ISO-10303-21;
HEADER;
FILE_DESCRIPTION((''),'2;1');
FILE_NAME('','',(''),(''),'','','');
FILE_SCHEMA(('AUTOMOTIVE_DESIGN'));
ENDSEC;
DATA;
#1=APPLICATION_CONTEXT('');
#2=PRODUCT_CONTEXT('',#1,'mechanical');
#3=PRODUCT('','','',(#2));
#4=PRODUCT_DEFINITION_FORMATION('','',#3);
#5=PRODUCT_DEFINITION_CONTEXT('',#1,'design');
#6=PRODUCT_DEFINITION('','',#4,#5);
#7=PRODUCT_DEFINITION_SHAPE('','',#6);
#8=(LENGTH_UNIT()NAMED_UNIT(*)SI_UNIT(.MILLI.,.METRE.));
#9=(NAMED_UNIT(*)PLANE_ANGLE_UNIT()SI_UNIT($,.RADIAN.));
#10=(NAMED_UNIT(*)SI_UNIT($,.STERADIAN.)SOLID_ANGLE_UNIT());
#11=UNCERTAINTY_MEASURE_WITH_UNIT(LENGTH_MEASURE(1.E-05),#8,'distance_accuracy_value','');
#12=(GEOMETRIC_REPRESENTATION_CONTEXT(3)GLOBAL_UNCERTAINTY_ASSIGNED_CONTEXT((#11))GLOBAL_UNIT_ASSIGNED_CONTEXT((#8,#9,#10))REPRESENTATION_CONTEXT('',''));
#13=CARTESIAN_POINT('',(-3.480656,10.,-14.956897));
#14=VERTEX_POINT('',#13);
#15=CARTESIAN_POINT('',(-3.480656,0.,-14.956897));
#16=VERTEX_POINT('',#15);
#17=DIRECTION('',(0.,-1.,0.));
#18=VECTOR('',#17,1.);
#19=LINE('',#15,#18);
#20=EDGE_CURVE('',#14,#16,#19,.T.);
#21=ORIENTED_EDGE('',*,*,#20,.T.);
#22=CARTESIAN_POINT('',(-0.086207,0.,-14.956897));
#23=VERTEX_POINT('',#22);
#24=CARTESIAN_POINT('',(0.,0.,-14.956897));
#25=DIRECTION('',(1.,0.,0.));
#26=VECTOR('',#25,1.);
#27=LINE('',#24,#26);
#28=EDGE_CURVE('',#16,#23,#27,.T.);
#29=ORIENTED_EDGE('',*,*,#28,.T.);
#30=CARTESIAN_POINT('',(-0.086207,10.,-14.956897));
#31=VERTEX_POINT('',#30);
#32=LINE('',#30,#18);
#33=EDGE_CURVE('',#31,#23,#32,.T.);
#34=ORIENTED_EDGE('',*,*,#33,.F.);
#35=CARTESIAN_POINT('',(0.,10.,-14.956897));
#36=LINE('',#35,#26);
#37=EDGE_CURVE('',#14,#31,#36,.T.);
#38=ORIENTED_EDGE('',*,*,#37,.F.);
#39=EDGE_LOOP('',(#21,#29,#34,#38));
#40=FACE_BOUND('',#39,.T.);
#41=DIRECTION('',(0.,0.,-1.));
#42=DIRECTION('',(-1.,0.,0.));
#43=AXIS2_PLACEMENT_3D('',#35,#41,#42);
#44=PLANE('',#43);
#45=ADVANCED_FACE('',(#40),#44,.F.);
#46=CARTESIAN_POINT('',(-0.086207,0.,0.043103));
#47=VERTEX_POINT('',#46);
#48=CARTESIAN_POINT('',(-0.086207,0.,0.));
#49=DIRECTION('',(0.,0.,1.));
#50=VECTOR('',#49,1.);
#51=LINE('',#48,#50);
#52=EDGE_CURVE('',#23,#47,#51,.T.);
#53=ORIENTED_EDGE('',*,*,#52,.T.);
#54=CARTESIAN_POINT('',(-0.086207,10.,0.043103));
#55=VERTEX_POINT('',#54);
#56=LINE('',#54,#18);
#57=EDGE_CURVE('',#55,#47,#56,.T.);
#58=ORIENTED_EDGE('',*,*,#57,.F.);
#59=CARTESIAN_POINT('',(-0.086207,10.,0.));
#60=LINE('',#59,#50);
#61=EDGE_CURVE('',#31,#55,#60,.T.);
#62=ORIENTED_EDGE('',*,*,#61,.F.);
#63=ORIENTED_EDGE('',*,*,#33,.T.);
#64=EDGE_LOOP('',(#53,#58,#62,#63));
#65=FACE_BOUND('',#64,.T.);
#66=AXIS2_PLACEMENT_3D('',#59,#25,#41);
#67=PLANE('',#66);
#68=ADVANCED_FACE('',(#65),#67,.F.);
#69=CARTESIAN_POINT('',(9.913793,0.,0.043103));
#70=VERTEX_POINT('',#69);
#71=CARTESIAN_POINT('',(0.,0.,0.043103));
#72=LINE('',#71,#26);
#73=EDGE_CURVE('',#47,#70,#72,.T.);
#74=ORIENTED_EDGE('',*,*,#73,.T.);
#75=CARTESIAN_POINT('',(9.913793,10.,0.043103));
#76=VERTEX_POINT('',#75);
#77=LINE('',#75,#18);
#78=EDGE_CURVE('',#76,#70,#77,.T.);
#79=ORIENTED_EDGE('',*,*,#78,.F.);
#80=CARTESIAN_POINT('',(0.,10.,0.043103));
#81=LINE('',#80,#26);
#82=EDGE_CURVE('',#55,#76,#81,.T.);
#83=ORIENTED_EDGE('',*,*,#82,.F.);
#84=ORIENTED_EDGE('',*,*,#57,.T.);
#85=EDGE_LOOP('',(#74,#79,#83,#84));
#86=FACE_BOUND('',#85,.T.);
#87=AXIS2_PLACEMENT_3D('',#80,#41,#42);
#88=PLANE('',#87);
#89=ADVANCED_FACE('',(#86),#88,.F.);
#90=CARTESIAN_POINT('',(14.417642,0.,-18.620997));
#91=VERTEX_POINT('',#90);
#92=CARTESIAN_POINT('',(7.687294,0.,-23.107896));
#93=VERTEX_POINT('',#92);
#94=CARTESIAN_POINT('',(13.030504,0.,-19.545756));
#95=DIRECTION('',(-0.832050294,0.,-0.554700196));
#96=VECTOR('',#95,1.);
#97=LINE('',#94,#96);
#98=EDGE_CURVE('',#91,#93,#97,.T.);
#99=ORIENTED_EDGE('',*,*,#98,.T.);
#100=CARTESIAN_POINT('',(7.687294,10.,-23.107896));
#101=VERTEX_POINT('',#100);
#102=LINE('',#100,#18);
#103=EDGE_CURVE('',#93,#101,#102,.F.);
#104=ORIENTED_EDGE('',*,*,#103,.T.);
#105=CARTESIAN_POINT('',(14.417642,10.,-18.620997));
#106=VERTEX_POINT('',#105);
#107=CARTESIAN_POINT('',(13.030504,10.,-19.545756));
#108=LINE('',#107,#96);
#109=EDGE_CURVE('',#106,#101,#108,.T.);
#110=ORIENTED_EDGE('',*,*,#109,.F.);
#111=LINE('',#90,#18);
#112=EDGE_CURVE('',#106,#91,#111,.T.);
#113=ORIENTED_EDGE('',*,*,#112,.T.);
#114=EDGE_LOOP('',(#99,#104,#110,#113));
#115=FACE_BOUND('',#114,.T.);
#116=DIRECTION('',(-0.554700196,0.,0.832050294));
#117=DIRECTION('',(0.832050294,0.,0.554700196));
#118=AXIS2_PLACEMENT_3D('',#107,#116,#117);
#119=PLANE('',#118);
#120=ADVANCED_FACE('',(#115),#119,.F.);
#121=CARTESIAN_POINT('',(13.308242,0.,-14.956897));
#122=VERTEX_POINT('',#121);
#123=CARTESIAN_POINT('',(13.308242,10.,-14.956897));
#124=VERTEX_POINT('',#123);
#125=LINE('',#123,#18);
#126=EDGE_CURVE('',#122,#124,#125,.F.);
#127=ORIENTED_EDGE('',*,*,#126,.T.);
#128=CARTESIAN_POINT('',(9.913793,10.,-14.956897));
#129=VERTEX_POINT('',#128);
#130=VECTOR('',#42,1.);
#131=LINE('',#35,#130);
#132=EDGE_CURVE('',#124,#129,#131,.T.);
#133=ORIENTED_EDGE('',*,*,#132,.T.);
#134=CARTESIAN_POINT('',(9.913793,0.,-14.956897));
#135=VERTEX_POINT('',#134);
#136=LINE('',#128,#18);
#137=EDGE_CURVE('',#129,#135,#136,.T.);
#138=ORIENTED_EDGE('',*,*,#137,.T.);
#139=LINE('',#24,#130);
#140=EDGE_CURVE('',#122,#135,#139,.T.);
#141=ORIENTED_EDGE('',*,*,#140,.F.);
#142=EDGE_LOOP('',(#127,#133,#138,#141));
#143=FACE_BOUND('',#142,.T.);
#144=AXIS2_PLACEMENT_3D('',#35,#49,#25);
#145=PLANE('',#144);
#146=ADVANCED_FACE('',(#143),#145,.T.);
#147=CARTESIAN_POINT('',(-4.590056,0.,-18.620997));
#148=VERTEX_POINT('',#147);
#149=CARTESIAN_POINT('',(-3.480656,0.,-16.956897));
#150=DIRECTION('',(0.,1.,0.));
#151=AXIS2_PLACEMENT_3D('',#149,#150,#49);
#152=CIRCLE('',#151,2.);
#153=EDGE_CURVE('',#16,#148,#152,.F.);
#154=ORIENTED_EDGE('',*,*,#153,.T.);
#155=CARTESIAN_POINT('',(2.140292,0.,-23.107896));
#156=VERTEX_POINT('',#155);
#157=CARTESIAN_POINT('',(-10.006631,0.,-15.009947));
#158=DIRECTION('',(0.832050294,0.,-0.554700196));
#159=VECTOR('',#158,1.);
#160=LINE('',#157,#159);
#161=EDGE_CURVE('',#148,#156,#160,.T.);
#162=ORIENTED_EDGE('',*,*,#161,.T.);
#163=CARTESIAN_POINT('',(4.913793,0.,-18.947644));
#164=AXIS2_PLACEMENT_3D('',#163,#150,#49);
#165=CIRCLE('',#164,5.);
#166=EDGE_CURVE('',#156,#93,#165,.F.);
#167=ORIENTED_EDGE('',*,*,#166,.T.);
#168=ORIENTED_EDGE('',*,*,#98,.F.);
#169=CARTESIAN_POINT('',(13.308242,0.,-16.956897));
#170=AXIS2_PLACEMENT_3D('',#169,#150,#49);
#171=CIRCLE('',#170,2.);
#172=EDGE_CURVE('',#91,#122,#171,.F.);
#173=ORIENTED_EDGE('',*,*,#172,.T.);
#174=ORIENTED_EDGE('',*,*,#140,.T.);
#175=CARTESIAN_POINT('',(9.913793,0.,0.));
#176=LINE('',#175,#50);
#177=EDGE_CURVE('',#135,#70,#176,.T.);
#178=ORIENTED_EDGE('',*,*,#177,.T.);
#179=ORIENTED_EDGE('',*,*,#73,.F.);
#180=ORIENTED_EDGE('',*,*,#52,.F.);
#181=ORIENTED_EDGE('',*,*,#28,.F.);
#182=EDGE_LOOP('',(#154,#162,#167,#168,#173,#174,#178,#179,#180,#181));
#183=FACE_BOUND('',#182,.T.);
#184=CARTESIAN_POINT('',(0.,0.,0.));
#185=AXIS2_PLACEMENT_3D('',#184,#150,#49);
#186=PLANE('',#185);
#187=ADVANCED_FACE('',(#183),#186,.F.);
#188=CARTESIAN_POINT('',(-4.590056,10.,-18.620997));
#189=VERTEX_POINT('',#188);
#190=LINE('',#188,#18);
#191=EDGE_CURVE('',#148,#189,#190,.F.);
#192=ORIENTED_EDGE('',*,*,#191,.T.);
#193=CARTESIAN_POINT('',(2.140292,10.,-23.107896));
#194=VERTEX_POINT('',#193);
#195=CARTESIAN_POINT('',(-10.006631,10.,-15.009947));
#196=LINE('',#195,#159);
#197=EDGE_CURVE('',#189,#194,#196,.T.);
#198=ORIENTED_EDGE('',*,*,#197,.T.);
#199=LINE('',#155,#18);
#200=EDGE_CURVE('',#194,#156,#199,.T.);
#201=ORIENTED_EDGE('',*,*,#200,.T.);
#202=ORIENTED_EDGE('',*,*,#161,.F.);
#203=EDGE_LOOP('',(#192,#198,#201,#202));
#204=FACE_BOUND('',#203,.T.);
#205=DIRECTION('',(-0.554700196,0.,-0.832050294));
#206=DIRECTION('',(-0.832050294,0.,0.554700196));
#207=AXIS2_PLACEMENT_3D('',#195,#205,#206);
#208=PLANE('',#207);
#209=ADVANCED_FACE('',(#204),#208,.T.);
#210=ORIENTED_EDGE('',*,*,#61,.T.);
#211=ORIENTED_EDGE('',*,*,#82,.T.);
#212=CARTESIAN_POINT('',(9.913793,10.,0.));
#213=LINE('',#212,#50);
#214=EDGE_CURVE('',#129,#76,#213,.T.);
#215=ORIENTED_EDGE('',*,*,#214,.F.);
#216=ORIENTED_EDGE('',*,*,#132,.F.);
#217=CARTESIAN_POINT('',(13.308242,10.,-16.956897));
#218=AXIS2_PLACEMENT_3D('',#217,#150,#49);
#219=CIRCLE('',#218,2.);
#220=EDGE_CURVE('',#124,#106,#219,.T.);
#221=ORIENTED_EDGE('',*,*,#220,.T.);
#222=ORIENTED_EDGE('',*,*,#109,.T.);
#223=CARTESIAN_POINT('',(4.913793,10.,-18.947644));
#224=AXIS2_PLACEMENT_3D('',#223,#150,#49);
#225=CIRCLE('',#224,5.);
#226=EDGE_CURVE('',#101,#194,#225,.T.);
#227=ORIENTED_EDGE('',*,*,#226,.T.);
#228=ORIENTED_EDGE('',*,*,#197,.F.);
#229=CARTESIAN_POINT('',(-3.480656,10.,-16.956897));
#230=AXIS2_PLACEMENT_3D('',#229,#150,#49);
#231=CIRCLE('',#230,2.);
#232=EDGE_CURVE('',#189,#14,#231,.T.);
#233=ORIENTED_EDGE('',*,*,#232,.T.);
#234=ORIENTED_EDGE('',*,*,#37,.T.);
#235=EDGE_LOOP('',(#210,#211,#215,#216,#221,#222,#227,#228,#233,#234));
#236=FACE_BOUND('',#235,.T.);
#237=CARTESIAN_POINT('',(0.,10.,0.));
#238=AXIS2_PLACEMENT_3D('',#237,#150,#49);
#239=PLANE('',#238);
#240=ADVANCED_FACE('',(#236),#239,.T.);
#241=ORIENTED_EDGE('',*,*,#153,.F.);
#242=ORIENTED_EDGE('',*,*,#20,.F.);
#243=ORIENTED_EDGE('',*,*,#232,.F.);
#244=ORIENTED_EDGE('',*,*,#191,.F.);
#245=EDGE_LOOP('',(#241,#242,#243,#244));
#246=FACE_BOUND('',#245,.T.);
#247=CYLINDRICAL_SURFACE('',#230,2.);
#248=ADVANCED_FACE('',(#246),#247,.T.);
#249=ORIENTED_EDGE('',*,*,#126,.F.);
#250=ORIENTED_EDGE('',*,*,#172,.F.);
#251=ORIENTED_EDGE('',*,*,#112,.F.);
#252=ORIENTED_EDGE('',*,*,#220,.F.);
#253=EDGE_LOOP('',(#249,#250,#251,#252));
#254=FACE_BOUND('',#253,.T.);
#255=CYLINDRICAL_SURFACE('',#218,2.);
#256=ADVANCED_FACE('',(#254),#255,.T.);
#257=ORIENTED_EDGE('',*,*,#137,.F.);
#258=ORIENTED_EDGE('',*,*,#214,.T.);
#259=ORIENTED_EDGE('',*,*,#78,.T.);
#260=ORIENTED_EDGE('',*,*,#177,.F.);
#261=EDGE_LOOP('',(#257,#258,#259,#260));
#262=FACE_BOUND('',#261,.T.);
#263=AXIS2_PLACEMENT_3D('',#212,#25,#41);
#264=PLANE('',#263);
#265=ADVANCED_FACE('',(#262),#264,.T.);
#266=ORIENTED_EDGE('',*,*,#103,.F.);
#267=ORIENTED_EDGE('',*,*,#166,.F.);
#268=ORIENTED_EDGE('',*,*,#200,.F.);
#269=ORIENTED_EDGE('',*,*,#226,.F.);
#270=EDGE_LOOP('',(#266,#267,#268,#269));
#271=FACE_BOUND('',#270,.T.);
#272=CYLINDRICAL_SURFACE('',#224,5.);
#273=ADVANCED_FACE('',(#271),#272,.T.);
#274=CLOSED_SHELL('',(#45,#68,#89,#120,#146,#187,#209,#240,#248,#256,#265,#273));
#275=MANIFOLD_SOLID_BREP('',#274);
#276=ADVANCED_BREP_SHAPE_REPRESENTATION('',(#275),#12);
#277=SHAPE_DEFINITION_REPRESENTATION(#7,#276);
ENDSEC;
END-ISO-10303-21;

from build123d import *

# Parameters (mm, degrees)
SKETCH1_W           = 10
SKETCH1_H           = 15
BOSS_EXTRUDE1_DEPTH = 10
FILLET1_R           = 2
FILLET2_R           = 5


with BuildPart() as part:
    # Sketch1 → Boss-Extrude1 (new body)
    with BuildSketch(Plane(origin=(0, 0, 0), x_dir=(1, 0, 0), z_dir=(0, 1, 0))):
        with Locations((4.913793103, 7.456896552)):
            Rectangle(SKETCH1_W, SKETCH1_H)
        Polygon((19.913793103, 14.956896552), (4.913793103, 24.956896552), (4.913793103, 14.956896552), (9.913793103, 14.956896552), align=None)
        Polygon((4.913793103, 24.956896552), (-10.086206897, 14.956896552), (-0.086206897, 14.956896552), (4.913793103, 14.956896552), align=None)
    extrude(amount=BOSS_EXTRUDE1_DEPTH)

    # Fillet1
    fillet1_edges = [part.edges().sort_by_distance(p)[0] for p in [
        (-10.086206897, 5, -14.956896552),
        (19.913793103, 5, -14.956896552),
    ]]
    fillet(fillet1_edges, radius=FILLET1_R)

    # Fillet2
    fillet2_edges = [part.edges().sort_by_distance(p)[0] for p in [
        (4.913793103, 5, -24.956896552),
    ]]
    fillet(fillet2_edges, radius=FILLET2_R)


solid = part.part
